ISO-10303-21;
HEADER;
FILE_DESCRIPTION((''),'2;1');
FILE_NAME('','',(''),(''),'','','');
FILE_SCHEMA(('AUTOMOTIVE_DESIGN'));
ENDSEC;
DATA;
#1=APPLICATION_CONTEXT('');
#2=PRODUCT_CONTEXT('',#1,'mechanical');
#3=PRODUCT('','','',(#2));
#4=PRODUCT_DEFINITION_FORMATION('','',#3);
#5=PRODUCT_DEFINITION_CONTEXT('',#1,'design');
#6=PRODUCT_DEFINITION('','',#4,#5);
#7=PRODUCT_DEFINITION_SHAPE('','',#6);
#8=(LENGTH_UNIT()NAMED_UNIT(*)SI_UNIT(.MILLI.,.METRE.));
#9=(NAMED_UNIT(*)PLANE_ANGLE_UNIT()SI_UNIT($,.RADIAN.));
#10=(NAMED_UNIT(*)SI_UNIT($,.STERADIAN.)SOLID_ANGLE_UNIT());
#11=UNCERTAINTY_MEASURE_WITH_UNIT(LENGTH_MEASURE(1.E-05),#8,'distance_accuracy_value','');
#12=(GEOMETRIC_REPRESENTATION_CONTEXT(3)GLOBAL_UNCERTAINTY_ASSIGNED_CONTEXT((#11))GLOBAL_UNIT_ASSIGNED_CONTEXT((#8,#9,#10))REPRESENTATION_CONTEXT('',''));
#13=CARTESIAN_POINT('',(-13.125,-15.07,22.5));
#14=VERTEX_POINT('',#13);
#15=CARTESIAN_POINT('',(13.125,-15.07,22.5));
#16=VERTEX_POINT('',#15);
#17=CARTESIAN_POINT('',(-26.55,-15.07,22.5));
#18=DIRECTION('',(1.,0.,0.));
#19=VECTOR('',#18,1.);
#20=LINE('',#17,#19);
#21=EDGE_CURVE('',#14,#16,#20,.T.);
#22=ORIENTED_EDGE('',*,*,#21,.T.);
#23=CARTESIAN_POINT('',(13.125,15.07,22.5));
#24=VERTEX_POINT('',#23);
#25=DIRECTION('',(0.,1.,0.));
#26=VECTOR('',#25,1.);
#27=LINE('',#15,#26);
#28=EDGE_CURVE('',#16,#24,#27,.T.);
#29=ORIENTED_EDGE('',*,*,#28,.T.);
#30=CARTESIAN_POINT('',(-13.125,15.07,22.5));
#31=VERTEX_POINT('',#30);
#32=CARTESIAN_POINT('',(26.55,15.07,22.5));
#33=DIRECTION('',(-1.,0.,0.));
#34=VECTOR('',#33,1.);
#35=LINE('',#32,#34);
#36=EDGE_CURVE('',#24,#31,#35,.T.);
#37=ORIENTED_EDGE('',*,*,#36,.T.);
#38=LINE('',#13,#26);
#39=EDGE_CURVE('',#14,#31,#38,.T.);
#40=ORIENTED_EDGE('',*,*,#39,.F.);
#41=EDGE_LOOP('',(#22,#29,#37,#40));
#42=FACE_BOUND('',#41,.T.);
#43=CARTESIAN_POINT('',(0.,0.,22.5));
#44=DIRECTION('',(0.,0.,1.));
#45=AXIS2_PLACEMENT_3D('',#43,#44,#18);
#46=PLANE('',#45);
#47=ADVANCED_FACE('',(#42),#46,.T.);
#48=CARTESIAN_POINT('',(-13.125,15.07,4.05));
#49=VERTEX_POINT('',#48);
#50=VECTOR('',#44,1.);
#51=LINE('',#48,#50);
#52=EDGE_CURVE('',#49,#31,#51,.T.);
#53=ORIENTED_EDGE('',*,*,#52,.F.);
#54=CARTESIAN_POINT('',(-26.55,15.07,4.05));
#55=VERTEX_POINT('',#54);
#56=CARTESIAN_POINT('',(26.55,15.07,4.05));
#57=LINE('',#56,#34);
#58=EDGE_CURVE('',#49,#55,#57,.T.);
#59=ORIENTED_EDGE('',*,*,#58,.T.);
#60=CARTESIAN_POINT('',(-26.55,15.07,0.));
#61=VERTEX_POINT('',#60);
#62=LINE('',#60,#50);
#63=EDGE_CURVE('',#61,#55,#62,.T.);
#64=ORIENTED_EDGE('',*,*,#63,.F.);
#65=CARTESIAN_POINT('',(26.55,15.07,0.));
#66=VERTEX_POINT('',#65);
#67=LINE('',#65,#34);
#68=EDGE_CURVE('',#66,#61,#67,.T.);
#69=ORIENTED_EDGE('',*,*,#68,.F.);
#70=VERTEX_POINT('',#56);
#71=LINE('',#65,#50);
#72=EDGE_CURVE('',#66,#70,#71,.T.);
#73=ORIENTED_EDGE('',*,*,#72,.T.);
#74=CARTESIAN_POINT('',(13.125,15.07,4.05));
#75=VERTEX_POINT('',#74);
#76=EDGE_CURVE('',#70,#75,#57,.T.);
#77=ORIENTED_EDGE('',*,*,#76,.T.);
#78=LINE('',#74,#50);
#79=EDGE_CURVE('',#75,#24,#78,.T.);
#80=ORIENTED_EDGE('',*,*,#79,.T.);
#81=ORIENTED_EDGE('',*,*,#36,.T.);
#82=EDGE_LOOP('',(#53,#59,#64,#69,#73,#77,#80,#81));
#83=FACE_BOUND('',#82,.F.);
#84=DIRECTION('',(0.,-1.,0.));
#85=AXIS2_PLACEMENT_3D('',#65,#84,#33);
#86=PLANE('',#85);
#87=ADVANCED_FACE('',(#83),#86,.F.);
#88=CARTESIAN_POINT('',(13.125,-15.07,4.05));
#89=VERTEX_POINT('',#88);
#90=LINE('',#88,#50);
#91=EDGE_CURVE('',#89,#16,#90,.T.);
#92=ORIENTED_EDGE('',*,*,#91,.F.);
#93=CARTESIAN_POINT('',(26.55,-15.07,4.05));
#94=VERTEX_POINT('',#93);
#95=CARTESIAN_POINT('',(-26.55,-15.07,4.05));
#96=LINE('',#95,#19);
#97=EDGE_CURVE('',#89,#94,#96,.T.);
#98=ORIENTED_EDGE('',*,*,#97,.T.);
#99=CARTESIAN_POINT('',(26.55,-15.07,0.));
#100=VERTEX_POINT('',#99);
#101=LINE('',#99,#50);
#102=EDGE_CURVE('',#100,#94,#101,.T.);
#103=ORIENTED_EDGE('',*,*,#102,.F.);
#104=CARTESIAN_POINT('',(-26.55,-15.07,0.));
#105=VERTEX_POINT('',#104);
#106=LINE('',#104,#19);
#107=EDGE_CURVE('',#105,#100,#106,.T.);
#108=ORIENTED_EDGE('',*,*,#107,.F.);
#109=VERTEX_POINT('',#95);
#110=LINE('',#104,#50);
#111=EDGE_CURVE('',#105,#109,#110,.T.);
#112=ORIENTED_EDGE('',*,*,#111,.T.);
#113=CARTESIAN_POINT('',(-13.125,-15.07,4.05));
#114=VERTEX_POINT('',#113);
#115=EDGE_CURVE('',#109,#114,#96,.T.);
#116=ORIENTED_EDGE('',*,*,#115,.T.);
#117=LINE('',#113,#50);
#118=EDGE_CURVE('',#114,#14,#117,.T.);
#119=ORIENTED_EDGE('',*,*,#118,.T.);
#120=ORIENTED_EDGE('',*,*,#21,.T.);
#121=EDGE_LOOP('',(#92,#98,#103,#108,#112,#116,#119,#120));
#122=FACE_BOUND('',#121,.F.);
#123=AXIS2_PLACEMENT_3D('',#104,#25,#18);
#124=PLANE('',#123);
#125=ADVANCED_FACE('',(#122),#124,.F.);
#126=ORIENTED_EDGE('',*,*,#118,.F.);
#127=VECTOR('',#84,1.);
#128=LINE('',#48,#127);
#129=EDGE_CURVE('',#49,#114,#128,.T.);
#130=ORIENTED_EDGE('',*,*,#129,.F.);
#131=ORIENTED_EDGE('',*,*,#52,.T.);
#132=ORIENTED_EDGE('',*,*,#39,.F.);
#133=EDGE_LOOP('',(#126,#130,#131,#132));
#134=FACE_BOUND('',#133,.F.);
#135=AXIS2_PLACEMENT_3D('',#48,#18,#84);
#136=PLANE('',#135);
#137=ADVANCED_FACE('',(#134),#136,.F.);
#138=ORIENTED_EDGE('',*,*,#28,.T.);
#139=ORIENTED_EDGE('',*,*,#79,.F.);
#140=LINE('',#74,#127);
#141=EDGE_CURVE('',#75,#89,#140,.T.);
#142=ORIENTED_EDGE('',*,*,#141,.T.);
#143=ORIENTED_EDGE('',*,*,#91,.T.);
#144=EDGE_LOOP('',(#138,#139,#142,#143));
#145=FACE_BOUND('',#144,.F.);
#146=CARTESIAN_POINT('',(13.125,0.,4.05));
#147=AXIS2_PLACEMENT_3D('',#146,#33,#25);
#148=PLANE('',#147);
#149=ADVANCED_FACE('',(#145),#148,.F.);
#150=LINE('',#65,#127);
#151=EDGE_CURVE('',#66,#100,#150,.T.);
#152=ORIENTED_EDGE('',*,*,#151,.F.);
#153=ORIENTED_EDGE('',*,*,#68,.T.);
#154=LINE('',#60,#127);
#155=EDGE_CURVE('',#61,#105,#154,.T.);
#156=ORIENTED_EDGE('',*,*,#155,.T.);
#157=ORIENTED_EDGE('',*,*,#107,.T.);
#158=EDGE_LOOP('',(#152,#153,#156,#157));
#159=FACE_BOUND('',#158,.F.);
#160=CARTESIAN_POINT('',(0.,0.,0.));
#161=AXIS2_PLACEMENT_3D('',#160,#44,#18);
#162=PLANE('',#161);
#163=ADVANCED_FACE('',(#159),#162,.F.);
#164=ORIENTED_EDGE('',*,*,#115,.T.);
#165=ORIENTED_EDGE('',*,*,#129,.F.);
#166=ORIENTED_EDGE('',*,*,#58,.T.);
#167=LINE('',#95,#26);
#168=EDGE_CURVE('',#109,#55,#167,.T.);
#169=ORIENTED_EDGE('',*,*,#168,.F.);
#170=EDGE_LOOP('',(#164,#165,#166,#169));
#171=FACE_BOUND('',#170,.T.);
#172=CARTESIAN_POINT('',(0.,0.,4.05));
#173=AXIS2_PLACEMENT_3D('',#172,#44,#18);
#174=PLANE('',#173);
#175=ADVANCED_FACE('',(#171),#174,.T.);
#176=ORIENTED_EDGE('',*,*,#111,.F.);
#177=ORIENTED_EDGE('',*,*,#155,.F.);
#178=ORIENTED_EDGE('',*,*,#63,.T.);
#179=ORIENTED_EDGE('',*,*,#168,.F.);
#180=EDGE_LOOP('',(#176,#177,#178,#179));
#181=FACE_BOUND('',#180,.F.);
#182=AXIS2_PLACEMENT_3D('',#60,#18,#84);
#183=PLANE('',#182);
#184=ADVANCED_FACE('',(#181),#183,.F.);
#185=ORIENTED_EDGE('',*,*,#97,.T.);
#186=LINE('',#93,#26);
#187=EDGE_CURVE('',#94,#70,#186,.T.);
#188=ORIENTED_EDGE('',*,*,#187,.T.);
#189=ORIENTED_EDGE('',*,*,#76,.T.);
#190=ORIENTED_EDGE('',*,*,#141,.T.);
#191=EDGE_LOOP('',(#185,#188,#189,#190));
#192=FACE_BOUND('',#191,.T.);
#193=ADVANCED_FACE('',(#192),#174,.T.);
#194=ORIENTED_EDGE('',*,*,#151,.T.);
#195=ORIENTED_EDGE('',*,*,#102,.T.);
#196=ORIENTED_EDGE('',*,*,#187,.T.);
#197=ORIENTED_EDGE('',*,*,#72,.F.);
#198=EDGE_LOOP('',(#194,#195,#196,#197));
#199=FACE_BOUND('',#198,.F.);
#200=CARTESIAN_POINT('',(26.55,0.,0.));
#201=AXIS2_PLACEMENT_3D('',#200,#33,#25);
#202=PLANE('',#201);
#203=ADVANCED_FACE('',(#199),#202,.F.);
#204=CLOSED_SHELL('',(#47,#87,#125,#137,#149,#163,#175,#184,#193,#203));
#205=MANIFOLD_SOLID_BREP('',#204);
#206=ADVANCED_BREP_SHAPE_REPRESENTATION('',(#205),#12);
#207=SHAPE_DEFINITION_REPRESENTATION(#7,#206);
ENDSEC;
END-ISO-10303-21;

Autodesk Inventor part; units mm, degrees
ref_plane "YZ Plane" through (0, 0, 0) normal (1, 0, 0) x (0, 1, 0)
ref_plane "XZ Plane" through (0, 0, 0) normal (0, 1, 0) x (-1, 0, 0)
ref_plane "XY Plane" through (0, 0, 0) normal (0, 0, 1) x (1, 0, 0)
sketch "Sketch1" plane through (0, 0, 0) normal (0, 0, 1) x (1, 0, 0)
  line L0 (0, 0) -> (26.55, 0)
  line L1 (26.55, 0) -> (-26.55, 0)
  line L2 (26.55, 0) -> (26.55, -15.07)
  line L3 (26.55, -15.07) -> (26.55, 15.07)
  line L4 (26.55, 15.07) -> (-26.55, 15.07)
  line L5 (-26.55, 15.07) -> (-26.55, -15.07)
  line L6 (-26.55, -15.07) -> (26.55, -15.07)
  line L7 (26.55, -15.07) -> (26.55, 15.07)
  dimension "d0" = 26.55
  dimension "d1" = 53.1
  dimension "d2" = 15.07
  dimension "d3" = 30.14
extrude "Extrusion1" add sketch "Sketch1" along normal blind 4.05
sketch "Sketch2" plane through (0, 0, 4.05) normal (0, 0, 1) x (1, 0, 0)
  line L0 (0, 0) -> (13.125, 0)
  line L1 (13.125, 0) -> (-13.125, 0)
  line L2 (26.55, 15.07) -> (-26.55, 15.07) projected
  line L3 (13.125, 15.07) -> (-13.125, 15.07)
  line L4 (-13.125, 15.07) -> (-13.125, -15.3281)
  line L5 (13.125, -15.3281) -> (13.125, 15.07)
  line L6 (-26.55, -15.07) -> (26.55, -15.07) projected
  line L7 (13.125, 15.07) -> (-13.125, 15.07)
  line L8 (-13.125, 15.07) -> (-13.125, -15.07)
  line L9 (-13.125, -15.07) -> (13.125, -15.07)
  line L10 (13.125, -15.07) -> (13.125, 15.07)
  dimension "d6" = 13.125
  dimension "d7" = 26.25
extrude "Extrusion2" add sketch "Sketch2" along normal blind 18.45
properties part number "VEXButton"
